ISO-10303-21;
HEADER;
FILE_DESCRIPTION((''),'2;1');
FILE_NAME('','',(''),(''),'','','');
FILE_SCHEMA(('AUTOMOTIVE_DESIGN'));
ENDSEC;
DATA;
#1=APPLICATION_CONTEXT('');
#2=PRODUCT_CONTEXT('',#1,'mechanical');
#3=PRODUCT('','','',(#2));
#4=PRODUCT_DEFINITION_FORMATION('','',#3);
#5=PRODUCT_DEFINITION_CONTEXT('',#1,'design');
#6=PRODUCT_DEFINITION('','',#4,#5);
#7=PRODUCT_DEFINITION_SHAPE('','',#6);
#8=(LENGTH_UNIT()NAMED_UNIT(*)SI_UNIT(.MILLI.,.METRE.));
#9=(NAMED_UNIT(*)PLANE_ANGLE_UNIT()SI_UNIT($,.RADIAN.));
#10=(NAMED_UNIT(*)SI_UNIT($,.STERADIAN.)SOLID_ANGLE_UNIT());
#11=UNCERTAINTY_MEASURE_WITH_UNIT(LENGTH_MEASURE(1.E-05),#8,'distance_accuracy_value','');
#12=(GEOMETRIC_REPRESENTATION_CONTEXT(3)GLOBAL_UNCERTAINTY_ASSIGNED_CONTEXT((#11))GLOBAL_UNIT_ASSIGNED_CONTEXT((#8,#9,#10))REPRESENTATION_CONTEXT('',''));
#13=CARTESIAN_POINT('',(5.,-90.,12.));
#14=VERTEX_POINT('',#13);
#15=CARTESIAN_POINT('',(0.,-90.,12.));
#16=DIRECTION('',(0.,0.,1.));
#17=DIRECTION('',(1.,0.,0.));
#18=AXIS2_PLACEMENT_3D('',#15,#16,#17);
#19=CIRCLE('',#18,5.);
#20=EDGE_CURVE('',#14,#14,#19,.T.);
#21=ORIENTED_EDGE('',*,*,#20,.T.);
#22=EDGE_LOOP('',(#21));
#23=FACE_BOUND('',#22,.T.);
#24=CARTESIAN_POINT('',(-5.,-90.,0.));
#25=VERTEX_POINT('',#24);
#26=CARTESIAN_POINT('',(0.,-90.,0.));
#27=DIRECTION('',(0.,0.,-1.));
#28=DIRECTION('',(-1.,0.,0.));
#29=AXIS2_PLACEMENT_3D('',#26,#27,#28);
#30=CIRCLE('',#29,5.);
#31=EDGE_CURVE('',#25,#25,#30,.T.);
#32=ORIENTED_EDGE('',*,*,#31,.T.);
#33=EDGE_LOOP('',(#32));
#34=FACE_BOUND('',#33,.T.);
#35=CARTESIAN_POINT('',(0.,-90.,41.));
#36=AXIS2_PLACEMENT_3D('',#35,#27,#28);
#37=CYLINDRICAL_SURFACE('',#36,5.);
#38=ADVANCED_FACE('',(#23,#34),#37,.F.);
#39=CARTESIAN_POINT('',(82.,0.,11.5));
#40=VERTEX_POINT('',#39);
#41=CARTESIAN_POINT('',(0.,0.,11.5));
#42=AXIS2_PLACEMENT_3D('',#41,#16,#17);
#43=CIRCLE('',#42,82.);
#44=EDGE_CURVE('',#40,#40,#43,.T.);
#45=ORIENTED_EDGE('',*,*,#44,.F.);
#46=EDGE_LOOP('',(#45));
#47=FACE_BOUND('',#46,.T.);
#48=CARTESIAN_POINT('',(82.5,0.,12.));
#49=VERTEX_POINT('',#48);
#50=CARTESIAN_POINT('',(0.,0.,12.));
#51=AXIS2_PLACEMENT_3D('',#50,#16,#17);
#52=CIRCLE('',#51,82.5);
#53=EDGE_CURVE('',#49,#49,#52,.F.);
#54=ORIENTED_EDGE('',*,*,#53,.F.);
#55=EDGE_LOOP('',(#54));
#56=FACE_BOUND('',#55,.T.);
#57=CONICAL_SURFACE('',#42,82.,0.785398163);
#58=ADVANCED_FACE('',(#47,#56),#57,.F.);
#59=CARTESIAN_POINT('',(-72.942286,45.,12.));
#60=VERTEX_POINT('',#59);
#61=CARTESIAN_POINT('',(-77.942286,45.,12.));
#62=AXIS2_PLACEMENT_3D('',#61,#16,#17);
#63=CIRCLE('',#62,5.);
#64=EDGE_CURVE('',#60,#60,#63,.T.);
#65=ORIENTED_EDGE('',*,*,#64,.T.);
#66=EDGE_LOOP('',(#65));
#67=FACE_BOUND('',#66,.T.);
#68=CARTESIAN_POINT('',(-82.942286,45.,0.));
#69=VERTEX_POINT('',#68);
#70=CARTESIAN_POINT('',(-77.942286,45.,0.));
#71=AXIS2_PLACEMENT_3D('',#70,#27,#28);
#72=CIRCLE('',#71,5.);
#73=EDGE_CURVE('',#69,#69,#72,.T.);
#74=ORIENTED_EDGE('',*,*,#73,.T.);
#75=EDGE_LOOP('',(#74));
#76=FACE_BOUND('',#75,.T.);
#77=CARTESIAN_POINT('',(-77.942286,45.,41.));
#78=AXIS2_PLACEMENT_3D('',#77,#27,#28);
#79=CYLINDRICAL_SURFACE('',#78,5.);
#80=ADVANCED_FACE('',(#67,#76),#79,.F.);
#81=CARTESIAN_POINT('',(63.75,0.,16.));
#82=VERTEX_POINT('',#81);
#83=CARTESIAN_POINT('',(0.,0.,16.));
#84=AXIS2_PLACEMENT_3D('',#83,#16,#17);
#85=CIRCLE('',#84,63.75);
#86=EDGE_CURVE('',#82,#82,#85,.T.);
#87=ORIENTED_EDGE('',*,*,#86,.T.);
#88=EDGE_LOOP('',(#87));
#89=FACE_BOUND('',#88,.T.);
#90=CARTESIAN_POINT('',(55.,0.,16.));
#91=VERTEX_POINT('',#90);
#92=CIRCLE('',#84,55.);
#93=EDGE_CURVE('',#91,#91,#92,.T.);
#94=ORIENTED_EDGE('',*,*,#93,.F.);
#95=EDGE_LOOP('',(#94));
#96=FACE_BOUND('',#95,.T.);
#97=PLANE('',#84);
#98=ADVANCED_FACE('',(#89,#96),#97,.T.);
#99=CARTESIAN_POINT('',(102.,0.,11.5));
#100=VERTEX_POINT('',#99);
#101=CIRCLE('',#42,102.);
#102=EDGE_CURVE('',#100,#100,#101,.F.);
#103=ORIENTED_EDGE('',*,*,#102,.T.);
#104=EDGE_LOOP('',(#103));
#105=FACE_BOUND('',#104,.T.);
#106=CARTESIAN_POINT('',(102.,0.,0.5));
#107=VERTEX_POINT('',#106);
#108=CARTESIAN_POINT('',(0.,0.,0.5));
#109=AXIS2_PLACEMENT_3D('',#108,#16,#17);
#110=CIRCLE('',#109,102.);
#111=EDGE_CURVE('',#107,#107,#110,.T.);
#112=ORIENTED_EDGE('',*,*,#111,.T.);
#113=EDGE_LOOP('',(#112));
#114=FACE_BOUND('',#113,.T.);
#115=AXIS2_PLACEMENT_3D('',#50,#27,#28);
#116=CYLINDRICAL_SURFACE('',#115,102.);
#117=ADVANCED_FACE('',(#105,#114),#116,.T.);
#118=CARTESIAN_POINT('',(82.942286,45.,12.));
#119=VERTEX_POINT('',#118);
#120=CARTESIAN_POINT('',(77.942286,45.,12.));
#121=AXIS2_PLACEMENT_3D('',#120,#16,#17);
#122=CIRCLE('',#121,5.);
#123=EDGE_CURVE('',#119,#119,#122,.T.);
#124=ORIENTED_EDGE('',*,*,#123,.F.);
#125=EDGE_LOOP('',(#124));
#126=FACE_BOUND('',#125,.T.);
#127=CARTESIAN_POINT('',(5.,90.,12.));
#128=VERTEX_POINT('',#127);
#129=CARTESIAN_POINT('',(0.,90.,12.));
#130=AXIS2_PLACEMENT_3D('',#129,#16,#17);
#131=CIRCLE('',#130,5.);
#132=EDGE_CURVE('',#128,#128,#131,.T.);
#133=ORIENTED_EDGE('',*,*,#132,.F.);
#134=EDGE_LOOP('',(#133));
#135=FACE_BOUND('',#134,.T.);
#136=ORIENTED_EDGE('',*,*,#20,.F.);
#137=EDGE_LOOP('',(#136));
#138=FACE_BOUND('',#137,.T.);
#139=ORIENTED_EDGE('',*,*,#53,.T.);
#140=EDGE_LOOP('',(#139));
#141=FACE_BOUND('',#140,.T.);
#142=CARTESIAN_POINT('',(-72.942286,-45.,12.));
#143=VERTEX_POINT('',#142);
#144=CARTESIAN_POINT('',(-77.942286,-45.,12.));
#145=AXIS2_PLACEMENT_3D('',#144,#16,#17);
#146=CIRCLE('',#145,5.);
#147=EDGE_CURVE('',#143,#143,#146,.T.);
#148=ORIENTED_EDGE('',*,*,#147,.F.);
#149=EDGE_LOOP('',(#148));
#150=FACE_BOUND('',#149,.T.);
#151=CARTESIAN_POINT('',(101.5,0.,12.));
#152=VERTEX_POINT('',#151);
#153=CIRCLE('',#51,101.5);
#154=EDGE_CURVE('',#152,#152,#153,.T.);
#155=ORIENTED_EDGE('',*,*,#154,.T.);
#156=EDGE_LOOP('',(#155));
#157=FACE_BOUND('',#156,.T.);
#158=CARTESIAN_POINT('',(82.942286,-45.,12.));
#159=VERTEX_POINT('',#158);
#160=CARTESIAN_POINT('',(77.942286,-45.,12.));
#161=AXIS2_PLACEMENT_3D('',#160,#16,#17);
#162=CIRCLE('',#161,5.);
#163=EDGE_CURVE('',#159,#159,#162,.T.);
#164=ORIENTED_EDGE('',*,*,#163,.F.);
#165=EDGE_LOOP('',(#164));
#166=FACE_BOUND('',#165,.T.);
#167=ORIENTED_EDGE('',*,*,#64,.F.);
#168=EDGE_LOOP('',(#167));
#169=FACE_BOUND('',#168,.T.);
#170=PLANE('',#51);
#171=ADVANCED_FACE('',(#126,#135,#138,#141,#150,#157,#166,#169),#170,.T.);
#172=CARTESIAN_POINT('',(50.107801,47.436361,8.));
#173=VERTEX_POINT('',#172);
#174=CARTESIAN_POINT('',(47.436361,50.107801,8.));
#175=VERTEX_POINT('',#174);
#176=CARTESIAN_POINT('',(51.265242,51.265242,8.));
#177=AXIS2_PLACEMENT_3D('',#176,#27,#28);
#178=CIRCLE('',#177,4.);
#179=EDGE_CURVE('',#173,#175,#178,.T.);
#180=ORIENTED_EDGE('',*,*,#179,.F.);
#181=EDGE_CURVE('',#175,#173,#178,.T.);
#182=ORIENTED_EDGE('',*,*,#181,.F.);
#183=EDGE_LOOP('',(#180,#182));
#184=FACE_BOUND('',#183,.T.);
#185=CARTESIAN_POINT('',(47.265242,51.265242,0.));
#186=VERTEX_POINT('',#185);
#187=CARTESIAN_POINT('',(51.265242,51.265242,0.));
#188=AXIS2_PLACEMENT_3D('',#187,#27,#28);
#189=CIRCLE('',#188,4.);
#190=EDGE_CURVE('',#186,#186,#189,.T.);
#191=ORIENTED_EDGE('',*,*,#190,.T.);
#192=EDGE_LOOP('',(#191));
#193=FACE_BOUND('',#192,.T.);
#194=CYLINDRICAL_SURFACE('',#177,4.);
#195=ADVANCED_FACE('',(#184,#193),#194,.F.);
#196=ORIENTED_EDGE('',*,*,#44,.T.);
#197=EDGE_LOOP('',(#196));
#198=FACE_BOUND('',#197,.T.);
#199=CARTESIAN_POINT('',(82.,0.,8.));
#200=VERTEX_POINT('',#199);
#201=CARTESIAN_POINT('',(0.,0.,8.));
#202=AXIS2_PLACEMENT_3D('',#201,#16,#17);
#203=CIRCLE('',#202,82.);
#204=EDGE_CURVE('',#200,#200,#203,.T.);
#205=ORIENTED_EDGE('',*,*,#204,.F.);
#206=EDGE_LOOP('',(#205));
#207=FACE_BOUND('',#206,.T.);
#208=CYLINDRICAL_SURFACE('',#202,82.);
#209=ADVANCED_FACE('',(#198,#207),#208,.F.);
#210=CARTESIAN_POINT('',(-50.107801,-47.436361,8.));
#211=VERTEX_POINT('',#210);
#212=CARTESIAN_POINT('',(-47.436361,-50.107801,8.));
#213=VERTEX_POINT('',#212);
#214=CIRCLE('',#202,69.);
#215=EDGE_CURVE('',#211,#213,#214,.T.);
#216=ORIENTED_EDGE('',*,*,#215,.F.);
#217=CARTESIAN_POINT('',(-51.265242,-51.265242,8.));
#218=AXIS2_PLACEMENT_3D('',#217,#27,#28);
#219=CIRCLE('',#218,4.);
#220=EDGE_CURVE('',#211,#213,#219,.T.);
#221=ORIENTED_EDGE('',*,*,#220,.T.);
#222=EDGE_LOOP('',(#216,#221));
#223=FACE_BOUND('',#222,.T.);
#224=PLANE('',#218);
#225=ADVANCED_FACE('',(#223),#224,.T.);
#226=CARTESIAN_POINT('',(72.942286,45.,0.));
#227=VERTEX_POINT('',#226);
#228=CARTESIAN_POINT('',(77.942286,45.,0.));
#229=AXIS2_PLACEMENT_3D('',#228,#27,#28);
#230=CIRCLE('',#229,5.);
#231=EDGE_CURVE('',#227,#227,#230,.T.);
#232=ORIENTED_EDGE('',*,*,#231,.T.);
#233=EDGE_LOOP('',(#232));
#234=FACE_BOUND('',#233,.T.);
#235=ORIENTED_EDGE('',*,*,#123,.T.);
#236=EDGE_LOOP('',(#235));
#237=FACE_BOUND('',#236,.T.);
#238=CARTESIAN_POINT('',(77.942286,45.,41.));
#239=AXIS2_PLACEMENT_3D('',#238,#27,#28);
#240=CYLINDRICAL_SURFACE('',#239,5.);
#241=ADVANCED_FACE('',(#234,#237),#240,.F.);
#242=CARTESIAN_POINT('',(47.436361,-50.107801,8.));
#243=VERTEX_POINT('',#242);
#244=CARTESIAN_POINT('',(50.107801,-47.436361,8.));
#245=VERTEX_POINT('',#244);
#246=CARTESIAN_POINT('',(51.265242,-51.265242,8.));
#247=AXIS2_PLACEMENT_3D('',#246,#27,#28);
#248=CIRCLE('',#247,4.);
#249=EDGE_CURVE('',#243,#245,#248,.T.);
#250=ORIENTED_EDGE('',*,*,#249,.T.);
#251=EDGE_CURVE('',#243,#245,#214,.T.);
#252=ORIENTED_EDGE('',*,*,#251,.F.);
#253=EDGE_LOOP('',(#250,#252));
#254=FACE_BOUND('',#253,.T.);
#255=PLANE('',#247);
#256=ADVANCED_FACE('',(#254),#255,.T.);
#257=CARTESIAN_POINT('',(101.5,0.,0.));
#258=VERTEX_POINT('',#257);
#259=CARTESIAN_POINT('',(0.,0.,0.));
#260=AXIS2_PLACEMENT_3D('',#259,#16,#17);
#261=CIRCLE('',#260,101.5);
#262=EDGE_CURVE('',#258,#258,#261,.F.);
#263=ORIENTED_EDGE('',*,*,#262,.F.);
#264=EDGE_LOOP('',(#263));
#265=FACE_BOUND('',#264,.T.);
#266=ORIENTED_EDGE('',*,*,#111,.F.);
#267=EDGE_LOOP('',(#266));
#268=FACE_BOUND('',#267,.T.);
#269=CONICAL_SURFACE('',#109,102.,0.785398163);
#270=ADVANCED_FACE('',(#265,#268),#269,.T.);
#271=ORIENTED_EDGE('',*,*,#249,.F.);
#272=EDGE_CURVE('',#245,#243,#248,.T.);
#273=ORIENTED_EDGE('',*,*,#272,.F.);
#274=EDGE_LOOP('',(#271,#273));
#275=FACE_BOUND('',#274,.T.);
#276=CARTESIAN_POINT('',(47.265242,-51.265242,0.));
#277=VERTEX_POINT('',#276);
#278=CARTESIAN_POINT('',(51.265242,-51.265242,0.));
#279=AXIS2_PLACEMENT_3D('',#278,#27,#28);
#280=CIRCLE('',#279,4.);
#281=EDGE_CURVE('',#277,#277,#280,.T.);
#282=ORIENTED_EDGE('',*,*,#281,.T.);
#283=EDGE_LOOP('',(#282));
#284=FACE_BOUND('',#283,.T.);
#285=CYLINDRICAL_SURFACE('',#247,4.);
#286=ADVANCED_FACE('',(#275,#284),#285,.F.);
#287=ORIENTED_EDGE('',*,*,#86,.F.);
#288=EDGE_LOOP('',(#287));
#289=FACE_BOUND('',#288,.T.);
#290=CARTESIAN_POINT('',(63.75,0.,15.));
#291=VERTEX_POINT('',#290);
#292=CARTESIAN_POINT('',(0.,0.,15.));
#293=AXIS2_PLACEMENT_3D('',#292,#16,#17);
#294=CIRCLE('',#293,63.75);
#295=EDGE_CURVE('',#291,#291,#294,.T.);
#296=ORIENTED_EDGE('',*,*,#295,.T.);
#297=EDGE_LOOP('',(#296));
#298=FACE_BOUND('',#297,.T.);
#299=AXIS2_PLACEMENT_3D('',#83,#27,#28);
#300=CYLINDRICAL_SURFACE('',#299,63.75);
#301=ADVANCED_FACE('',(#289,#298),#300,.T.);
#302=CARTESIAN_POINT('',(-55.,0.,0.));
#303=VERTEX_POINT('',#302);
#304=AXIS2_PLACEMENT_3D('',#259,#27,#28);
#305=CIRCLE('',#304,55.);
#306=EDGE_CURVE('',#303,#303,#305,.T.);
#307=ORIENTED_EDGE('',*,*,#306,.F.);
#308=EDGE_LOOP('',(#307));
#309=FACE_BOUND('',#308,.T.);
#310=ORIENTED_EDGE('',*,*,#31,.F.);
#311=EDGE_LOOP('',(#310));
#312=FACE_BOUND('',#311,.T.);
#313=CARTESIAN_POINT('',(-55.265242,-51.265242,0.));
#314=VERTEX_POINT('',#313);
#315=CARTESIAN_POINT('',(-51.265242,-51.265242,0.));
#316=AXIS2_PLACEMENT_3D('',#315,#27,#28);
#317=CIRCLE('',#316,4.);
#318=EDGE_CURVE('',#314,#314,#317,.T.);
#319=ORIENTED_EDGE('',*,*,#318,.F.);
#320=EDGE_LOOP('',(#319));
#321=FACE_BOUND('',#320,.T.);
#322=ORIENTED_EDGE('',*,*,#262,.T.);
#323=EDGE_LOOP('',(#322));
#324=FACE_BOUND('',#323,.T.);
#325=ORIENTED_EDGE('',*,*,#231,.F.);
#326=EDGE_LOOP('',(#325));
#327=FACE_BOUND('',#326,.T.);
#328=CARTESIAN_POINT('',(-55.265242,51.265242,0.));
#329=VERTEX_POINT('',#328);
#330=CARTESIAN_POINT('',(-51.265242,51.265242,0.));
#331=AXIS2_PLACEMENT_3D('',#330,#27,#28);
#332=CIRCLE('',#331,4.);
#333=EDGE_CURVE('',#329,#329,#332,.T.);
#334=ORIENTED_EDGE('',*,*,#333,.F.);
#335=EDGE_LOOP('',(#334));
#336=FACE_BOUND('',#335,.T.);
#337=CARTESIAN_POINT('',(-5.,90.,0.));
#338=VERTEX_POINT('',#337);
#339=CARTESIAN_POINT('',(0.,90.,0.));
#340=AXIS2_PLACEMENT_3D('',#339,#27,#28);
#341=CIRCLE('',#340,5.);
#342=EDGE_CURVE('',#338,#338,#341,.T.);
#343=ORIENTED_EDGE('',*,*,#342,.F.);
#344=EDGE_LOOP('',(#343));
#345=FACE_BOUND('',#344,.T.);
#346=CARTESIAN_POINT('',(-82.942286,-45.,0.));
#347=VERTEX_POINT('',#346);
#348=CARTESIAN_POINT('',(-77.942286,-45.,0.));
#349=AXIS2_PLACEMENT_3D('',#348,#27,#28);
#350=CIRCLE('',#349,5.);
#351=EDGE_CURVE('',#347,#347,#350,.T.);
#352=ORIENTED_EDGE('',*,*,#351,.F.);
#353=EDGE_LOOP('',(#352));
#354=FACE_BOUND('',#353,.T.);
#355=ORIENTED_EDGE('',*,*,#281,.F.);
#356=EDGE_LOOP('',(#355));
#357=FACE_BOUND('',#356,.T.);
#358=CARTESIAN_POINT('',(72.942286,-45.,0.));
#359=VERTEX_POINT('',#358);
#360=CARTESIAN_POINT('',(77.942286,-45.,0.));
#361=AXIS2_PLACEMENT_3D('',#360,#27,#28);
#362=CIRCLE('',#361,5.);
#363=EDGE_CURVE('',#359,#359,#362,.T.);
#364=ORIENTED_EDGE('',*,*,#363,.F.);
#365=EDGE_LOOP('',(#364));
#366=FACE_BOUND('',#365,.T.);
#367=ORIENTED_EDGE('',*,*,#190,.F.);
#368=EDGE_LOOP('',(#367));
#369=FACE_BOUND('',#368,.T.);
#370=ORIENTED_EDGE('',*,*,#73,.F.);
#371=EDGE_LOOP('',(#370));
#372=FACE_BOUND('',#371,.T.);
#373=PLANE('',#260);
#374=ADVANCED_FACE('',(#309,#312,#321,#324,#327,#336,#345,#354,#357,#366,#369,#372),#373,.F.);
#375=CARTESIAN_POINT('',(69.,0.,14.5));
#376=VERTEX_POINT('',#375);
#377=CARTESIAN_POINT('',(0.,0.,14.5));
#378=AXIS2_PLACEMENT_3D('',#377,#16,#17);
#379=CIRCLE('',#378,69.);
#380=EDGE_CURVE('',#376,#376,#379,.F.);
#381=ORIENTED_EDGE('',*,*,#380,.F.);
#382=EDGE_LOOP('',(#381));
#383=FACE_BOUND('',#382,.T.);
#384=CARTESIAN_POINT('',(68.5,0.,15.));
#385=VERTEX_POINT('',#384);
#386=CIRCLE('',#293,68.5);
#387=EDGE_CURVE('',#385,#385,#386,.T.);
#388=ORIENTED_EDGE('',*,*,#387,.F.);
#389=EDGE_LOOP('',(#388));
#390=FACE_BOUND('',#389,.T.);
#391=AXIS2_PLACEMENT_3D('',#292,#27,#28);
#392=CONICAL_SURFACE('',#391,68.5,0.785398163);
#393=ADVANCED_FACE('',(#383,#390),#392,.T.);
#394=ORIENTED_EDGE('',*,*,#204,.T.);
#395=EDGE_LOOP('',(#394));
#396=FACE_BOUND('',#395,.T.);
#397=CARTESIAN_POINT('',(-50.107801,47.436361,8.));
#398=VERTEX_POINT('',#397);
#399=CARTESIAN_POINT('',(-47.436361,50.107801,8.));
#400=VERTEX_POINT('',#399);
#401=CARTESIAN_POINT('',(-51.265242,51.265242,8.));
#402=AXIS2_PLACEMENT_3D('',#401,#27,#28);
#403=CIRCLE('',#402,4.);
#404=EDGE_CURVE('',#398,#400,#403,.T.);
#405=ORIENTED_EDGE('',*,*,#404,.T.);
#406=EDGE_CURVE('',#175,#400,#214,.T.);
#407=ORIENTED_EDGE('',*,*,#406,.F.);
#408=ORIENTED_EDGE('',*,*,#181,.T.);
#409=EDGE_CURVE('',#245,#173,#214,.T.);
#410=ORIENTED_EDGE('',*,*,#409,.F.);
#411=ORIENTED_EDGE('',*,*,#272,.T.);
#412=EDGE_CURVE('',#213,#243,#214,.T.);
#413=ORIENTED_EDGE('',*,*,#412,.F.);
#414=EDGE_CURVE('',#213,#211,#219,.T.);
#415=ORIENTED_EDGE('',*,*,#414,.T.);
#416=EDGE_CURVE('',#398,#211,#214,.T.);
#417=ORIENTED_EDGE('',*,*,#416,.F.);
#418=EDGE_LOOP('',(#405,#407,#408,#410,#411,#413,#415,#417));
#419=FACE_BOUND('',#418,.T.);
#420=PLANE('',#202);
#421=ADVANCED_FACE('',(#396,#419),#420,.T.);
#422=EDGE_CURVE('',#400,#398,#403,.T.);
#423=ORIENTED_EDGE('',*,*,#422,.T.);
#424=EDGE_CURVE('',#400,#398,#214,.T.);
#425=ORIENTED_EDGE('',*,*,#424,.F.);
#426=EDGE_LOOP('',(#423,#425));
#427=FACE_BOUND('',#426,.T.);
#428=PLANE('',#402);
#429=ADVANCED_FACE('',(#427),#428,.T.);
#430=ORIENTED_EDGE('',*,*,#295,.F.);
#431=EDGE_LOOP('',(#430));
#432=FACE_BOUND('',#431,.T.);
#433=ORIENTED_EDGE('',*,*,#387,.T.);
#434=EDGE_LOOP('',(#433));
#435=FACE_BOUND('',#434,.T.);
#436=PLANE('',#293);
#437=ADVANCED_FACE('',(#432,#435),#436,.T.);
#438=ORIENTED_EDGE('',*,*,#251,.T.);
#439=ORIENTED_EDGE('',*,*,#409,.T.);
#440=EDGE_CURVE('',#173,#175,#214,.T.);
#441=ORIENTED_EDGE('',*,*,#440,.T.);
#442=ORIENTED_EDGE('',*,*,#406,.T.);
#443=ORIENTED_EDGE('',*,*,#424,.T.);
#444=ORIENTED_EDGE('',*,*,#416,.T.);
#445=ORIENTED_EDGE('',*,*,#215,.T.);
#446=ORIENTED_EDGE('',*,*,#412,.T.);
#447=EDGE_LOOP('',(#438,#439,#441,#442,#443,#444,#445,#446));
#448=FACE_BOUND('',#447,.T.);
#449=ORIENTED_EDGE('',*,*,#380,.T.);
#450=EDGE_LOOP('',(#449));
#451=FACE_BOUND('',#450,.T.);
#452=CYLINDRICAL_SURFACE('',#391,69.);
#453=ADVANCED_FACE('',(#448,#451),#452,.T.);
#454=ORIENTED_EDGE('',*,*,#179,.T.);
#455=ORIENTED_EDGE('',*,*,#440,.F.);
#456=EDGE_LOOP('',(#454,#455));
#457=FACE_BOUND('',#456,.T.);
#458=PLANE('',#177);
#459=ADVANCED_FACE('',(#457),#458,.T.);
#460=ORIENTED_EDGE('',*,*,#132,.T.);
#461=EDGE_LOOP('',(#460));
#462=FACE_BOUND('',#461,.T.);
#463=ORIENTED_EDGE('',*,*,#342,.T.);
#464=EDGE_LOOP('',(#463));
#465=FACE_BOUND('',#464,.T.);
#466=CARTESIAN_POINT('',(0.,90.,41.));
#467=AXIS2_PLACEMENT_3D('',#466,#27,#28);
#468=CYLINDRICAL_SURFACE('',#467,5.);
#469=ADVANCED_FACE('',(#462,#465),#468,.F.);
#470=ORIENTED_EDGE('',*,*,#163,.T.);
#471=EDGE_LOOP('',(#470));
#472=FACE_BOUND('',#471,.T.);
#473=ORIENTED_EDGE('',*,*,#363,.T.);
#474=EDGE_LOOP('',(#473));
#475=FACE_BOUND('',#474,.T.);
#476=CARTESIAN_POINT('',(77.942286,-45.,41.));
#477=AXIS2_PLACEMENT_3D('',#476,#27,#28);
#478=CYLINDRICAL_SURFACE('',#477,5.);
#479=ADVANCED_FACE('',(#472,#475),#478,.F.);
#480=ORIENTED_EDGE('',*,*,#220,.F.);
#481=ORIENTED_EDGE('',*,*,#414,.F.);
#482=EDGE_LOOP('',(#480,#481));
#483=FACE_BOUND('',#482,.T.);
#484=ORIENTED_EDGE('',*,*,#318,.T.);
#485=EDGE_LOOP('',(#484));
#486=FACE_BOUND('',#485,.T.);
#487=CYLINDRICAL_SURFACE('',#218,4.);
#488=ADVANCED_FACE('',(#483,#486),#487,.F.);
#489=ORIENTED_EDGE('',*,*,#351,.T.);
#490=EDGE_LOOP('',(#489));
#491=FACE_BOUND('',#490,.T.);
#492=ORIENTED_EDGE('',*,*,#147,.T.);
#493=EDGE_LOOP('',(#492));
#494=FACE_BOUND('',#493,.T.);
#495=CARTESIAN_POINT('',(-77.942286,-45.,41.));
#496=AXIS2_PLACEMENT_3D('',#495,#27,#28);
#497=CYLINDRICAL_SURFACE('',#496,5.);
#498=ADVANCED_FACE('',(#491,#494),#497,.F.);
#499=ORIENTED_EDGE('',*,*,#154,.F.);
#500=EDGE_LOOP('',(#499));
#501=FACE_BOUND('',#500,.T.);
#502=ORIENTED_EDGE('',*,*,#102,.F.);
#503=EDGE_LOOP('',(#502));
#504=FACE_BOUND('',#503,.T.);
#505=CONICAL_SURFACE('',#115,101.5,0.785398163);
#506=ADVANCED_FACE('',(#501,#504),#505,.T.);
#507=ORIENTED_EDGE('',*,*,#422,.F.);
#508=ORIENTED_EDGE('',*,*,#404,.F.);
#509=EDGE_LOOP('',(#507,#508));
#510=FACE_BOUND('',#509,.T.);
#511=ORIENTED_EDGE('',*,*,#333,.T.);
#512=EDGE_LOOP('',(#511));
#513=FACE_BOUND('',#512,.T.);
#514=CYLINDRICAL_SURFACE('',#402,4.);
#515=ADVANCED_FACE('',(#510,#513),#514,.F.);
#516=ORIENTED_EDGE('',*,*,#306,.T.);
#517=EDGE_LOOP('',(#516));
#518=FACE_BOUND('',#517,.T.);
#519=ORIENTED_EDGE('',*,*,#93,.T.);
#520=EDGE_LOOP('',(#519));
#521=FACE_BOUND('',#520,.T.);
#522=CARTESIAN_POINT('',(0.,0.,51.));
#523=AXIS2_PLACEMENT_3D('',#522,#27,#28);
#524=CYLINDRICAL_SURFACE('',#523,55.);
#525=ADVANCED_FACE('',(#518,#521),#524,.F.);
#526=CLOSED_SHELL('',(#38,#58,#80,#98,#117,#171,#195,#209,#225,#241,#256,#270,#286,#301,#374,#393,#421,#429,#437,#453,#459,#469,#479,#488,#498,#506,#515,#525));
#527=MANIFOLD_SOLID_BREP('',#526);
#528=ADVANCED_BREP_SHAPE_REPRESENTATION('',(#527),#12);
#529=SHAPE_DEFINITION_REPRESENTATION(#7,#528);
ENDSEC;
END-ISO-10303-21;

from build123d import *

# Parameters (mm, degrees)
SKETCH_1_R          = 102
EXTRUDE_1_DEPTH     = 12
SKETCH_2_R          = 69
EXTRUDE_2_DEPTH     = 3
CUT_EXTRUDE_START   = -4
SKETCH_3_R          = 82
SKETCH_3_R_2        = 69
CUT_EXTRUDE_2_DEPTH = 4
SKETCH_4_R          = 63.75
EXTRUDE_3_DEPTH     = 1
CHAMFER_1_SIZE      = 0.5
SKETCH_5_R          = 5
CUT_EXTRUDE_3_DEPTH = 41
SKETCH_6_R          = 55
CUT_EXTRUDE_4_DEPTH = 51
SKETCH_7_R          = 4
CUT_EXTRUDE_5_DEPTH = 8


with BuildPart() as part:
    # 草图1 → 拉伸1 (new body)
    with BuildSketch(Plane.XY):
        Circle(SKETCH_1_R)
    extrude(amount=EXTRUDE_1_DEPTH)

    # 草图2 → 拉伸2 (add)
    with BuildSketch(Plane.XY.offset(12)):
        Circle(SKETCH_2_R)
    extrude(amount=EXTRUDE_2_DEPTH)

    # 草图3 → 切除-拉伸2 (cut)
    with BuildSketch(Plane.XY.offset(12).offset(CUT_EXTRUDE_START)):
        Circle(SKETCH_3_R)
        Circle(SKETCH_3_R_2, mode=Mode.SUBTRACT)
    extrude(amount=CUT_EXTRUDE_2_DEPTH, mode=Mode.SUBTRACT)

    # 草图4 → 拉伸3 (add)
    with BuildSketch(Plane.XY.offset(15)):
        Circle(SKETCH_4_R)
    extrude(amount=EXTRUDE_3_DEPTH)

    # 倒角1
    chamfer_1_edges = [part.edges().sort_by_distance(p)[0] for p in [
        (-82, 0, 12),
        (-102, 0, 0),
        (-102, 0, 12),
        (-69, 0, 15),
    ]]
    chamfer(chamfer_1_edges, length=CHAMFER_1_SIZE)

    # 草图5 → 切除-拉伸3 (cut)
    with BuildSketch(Plane(origin=(0, 0, 0), x_dir=(-1, 0, 0), z_dir=(0, 0, -1))):
        with Locations((0, 90)):
            Circle(SKETCH_5_R)
        with Locations((77.942286341, 45)):
            Circle(SKETCH_5_R)
        with Locations((77.942286341, -45)):
            Circle(SKETCH_5_R)
        with Locations((0, -90)):
            Circle(SKETCH_5_R)
        with Locations((-77.942286341, -45)):
            Circle(SKETCH_5_R)
        with Locations((-77.942286341, 45)):
            Circle(SKETCH_5_R)
    extrude(amount=-CUT_EXTRUDE_3_DEPTH, mode=Mode.SUBTRACT)

    # 草图6 → 切除-拉伸4 (cut)
    with BuildSketch(Plane(origin=(0, 0, 0), x_dir=(-1, 0, 0), z_dir=(0, 0, -1))):
        Circle(SKETCH_6_R)
    extrude(amount=-CUT_EXTRUDE_4_DEPTH, mode=Mode.SUBTRACT)

    # 草图7 → 切除-拉伸5 (cut)
    with BuildSketch(Plane(origin=(0, 0, 0), x_dir=(-1, 0, 0), z_dir=(0, 0, -1))):
        with Locations((51.265241636, 51.265241636)):
            Circle(SKETCH_7_R)
        with Locations((51.265241636, -51.265241636)):
            Circle(SKETCH_7_R)
        with Locations((-51.265241636, -51.265241636)):
            Circle(SKETCH_7_R)
        with Locations((-51.265241636, 51.265241636)):
            Circle(SKETCH_7_R)
    extrude(amount=-CUT_EXTRUDE_5_DEPTH, mode=Mode.SUBTRACT)


solid = part.part
